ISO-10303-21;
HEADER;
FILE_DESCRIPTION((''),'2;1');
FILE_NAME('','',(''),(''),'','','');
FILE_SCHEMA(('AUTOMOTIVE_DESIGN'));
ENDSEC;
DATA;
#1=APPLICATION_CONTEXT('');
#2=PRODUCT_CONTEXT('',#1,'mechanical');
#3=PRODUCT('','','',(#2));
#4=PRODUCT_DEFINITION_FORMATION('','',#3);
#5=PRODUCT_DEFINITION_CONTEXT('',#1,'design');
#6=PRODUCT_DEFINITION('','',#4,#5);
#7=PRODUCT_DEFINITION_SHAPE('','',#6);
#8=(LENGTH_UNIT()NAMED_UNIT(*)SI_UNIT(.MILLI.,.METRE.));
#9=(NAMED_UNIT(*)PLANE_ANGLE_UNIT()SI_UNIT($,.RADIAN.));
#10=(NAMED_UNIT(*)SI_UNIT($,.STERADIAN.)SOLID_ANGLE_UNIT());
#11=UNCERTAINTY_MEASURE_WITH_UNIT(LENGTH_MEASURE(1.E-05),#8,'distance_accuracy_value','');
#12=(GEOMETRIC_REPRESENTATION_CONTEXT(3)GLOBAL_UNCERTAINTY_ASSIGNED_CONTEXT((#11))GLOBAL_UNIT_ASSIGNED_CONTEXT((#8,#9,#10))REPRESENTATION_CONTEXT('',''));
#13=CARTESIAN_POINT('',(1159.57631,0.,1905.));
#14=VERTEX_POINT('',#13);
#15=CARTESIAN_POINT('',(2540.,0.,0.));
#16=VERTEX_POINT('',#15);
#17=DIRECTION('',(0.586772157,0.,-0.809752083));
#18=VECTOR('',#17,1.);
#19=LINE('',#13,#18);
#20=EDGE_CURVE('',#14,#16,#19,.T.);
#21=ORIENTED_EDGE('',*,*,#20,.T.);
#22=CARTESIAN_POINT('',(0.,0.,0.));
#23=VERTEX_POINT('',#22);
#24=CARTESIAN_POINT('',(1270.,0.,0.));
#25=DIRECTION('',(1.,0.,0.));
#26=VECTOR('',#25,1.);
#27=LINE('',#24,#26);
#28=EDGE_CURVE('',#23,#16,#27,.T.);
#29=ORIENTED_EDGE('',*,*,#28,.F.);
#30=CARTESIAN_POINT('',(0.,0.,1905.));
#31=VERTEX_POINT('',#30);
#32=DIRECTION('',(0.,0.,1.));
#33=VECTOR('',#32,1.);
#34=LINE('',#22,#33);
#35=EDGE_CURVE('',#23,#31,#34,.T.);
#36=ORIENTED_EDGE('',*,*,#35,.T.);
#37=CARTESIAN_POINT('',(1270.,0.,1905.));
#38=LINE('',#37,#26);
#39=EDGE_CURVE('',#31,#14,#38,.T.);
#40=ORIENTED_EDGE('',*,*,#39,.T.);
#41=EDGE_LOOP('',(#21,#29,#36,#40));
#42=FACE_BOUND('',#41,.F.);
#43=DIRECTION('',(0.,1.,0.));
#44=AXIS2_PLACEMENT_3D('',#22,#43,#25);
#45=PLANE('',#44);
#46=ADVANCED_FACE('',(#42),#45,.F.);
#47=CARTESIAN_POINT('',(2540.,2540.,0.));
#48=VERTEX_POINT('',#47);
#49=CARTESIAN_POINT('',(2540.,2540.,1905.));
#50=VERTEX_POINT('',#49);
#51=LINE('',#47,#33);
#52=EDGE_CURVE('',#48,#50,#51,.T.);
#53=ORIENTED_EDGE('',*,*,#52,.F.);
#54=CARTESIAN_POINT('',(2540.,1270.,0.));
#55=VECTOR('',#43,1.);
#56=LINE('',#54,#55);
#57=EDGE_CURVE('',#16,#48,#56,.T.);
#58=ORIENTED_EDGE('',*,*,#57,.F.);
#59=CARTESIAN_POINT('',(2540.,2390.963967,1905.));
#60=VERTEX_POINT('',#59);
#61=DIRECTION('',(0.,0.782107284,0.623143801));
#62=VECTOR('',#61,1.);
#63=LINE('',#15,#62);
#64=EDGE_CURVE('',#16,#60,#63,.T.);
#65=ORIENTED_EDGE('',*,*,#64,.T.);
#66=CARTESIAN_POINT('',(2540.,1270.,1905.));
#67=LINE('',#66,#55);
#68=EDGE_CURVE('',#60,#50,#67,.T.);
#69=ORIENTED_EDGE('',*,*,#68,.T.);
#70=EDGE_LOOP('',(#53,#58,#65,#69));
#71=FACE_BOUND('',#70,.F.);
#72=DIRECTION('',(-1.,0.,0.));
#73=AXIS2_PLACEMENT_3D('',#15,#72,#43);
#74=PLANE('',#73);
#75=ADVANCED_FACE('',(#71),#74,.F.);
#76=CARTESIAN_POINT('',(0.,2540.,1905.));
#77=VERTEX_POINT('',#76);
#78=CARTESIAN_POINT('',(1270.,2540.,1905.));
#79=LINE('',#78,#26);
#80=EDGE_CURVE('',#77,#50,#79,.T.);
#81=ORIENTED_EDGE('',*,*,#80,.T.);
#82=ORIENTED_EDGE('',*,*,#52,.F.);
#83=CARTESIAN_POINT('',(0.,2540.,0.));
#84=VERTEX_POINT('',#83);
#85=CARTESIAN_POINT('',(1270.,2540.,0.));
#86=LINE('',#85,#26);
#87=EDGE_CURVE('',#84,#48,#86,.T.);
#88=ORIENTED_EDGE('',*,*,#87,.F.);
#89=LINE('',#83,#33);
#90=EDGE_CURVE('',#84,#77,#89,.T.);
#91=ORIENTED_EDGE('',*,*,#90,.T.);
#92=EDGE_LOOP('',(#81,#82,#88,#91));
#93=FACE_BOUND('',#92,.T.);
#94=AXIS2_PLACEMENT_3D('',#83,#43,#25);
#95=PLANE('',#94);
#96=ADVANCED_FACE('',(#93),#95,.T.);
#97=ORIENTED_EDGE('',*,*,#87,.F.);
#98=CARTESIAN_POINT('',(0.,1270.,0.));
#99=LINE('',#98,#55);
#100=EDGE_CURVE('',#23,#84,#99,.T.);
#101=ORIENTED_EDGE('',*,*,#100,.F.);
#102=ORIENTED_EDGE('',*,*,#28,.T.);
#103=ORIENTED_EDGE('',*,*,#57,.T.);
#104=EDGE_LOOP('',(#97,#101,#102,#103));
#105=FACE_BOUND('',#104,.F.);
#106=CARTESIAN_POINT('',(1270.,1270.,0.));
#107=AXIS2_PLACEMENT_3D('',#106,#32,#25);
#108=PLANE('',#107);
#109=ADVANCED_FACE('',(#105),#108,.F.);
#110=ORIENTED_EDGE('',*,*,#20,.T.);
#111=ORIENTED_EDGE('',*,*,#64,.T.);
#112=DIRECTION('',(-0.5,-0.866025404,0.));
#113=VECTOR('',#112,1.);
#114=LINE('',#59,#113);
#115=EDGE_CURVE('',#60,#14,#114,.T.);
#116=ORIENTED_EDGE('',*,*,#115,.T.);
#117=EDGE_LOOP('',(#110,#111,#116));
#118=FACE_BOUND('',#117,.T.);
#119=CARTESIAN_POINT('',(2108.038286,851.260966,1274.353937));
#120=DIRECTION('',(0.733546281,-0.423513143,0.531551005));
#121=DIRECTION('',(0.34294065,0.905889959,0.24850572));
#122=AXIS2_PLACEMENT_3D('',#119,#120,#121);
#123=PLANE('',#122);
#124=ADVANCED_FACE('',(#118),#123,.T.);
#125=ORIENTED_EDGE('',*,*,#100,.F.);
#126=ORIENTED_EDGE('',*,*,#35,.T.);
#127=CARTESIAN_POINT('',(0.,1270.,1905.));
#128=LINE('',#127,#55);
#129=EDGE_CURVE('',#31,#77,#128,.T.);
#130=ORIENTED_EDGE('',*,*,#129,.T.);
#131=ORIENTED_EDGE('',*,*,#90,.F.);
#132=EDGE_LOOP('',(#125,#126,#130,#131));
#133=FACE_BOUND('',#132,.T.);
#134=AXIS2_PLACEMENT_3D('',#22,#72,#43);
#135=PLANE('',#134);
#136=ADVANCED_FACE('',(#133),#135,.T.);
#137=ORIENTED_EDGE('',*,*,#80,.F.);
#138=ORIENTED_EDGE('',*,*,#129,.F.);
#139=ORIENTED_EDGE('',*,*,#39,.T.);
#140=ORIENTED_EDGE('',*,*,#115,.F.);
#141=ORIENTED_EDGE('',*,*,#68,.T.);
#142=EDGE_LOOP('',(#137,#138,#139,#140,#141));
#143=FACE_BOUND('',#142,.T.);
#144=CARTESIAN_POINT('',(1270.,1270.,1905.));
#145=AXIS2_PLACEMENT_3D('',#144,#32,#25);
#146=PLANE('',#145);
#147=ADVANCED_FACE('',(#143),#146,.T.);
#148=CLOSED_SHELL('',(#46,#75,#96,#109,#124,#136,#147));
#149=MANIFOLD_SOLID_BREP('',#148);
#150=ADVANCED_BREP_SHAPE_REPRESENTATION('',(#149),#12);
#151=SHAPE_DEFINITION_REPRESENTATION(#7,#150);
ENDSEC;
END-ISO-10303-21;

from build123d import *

# Parameters (mm, degrees)
F0_W     = 2540
F0_H     = 2540
F1_DEPTH = 1905
F5_DEPTH = 1012.6056644313


with BuildPart() as f1:
    # F0 (on Top) → F1 (new body)
    with BuildSketch(Plane.XY):
        with Locations((1270, 1270)):
            Rectangle(F0_W, F0_H)
    extrude(amount=F1_DEPTH)

    # F4 (on 3pt) → F5 (cut, through all)
    with BuildSketch(Plane(origin=(1366.7489730037, -789.0928874783, 990.3898480668), x_dir=(0.3429406498, 0.9058899589, 0.2485057203), z_dir=(0.7335462813, -0.423513143, 0.531551005))):
        Polygon((871.0692503954, 862.1706260274), (871.0692503954, -1490.401278041), (3510.4228974704, 52.1764402953), (2273.0055313539, 431.9288364886), (1677.601780615, 614.6529579022), align=None)
    extrude(amount=F5_DEPTH, mode=Mode.SUBTRACT)


solid = f1.part
